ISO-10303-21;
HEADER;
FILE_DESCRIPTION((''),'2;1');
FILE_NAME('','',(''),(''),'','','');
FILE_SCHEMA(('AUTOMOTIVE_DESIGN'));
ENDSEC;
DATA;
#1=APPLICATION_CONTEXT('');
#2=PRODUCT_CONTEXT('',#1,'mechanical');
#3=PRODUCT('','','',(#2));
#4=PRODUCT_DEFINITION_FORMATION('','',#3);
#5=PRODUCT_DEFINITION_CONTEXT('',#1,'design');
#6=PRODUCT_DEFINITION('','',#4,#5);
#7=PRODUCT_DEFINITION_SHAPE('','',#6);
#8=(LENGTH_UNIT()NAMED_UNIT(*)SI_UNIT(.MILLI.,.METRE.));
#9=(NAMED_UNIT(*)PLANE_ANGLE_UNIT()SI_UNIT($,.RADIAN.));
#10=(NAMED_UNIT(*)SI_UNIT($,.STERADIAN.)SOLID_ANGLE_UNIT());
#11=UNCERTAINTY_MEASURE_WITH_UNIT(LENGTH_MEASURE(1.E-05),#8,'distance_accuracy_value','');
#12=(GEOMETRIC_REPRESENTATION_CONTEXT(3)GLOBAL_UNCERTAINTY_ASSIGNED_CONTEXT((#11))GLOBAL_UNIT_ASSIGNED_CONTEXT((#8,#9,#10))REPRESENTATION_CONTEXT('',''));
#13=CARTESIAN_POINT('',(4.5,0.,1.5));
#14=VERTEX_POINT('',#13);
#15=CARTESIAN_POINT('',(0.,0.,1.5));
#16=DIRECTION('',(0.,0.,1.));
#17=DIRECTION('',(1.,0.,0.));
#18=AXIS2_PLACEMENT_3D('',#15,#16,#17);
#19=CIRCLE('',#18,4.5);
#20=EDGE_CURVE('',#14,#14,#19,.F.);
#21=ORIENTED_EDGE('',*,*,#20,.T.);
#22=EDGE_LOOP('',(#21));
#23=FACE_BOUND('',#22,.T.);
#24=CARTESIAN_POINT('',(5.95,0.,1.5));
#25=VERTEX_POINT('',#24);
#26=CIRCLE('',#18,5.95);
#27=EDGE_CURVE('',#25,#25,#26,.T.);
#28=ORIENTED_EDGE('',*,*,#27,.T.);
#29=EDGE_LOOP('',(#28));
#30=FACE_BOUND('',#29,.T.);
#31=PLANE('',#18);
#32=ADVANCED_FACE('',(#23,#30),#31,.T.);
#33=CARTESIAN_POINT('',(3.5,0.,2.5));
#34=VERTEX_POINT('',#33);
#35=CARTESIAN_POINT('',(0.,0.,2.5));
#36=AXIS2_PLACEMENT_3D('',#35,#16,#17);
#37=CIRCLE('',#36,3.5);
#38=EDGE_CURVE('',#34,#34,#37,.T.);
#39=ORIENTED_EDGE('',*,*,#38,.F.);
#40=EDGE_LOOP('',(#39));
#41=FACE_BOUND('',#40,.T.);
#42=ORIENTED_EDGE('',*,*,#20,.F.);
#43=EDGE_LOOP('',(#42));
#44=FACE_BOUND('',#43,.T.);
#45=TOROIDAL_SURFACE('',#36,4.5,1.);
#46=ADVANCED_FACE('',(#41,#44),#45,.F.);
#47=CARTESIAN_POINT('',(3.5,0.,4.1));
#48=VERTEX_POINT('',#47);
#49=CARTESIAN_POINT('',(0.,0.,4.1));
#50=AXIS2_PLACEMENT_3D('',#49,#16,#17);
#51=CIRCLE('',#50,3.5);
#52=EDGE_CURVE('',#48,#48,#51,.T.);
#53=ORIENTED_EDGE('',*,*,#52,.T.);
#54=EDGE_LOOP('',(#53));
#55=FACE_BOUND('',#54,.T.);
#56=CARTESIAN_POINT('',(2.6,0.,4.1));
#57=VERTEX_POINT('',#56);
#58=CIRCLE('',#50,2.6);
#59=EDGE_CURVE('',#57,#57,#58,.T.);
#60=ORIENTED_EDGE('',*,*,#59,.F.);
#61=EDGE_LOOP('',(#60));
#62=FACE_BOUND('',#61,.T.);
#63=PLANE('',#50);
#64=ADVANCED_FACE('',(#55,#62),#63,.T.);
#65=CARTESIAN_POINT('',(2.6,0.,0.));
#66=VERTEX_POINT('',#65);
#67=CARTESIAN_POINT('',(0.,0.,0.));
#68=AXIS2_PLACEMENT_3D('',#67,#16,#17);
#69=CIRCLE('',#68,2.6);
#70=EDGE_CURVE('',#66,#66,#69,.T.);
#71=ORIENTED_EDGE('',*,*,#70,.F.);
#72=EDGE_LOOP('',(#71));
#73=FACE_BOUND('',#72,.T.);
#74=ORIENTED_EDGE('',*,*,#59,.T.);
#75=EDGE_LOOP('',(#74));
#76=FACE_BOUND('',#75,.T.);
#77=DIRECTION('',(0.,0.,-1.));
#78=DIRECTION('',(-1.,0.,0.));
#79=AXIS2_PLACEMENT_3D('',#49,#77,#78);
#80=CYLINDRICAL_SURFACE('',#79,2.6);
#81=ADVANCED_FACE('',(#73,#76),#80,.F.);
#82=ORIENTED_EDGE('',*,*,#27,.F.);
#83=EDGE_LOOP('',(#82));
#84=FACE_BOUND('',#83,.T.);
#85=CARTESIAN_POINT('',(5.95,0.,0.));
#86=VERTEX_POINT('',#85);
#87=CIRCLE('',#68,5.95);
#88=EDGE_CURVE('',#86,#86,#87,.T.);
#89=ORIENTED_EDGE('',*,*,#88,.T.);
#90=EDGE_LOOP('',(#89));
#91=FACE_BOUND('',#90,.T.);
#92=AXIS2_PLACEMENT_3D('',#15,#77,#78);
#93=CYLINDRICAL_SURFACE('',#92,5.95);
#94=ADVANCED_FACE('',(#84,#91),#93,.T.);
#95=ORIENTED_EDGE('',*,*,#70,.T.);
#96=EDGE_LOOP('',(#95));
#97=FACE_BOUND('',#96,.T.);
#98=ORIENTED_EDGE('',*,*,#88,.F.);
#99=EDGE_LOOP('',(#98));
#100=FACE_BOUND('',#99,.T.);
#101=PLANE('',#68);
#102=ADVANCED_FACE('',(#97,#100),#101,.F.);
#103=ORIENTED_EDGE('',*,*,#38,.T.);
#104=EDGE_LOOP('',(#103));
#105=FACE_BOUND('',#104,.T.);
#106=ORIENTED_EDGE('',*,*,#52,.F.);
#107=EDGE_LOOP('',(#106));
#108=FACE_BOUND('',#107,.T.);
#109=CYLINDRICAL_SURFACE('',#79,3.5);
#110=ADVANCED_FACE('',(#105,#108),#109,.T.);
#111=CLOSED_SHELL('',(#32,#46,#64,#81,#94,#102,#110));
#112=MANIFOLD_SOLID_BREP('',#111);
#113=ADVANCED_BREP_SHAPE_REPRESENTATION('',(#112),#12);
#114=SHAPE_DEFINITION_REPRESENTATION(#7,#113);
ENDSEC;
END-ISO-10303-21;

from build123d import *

# Parameters (mm, degrees)
SKETCH_1_R          = 5.95
SKETCH_1_R_2        = 3.5
EXTRUDE_1_DEPTH     = 1.5
SKETCH_1_2_R        = 3.5
EXTRUDE_2_DEPTH     = 4.1
SKETCH_2_R          = 2.6
CUT_EXTRUDE_1_DEPTH = 10.360288457
FILLET_1_R          = 1


with BuildPart() as part:
    # 草图1 → 凸台-拉伸1 (new body)
    with BuildSketch(Plane.XY):
        Circle(SKETCH_1_R)
        Circle(SKETCH_1_R_2, mode=Mode.SUBTRACT)
    extrude(amount=EXTRUDE_1_DEPTH)

    # 草图1<2> → 凸台-拉伸2 (add)
    with BuildSketch(Plane.XY):
        Circle(SKETCH_1_2_R)
    extrude(amount=EXTRUDE_2_DEPTH)

    # 草图2 → 切除-拉伸1 (cut, through all)
    with BuildSketch(Plane.XY):
        Circle(SKETCH_2_R)
    extrude(amount=CUT_EXTRUDE_1_DEPTH, mode=Mode.SUBTRACT)

    # 圆角1
    fillet_1_edges = [part.edges().sort_by_distance(p)[0] for p in [
        (-3.5, 0, 1.5),
    ]]
    fillet(fillet_1_edges, radius=FILLET_1_R)


solid = part.part
